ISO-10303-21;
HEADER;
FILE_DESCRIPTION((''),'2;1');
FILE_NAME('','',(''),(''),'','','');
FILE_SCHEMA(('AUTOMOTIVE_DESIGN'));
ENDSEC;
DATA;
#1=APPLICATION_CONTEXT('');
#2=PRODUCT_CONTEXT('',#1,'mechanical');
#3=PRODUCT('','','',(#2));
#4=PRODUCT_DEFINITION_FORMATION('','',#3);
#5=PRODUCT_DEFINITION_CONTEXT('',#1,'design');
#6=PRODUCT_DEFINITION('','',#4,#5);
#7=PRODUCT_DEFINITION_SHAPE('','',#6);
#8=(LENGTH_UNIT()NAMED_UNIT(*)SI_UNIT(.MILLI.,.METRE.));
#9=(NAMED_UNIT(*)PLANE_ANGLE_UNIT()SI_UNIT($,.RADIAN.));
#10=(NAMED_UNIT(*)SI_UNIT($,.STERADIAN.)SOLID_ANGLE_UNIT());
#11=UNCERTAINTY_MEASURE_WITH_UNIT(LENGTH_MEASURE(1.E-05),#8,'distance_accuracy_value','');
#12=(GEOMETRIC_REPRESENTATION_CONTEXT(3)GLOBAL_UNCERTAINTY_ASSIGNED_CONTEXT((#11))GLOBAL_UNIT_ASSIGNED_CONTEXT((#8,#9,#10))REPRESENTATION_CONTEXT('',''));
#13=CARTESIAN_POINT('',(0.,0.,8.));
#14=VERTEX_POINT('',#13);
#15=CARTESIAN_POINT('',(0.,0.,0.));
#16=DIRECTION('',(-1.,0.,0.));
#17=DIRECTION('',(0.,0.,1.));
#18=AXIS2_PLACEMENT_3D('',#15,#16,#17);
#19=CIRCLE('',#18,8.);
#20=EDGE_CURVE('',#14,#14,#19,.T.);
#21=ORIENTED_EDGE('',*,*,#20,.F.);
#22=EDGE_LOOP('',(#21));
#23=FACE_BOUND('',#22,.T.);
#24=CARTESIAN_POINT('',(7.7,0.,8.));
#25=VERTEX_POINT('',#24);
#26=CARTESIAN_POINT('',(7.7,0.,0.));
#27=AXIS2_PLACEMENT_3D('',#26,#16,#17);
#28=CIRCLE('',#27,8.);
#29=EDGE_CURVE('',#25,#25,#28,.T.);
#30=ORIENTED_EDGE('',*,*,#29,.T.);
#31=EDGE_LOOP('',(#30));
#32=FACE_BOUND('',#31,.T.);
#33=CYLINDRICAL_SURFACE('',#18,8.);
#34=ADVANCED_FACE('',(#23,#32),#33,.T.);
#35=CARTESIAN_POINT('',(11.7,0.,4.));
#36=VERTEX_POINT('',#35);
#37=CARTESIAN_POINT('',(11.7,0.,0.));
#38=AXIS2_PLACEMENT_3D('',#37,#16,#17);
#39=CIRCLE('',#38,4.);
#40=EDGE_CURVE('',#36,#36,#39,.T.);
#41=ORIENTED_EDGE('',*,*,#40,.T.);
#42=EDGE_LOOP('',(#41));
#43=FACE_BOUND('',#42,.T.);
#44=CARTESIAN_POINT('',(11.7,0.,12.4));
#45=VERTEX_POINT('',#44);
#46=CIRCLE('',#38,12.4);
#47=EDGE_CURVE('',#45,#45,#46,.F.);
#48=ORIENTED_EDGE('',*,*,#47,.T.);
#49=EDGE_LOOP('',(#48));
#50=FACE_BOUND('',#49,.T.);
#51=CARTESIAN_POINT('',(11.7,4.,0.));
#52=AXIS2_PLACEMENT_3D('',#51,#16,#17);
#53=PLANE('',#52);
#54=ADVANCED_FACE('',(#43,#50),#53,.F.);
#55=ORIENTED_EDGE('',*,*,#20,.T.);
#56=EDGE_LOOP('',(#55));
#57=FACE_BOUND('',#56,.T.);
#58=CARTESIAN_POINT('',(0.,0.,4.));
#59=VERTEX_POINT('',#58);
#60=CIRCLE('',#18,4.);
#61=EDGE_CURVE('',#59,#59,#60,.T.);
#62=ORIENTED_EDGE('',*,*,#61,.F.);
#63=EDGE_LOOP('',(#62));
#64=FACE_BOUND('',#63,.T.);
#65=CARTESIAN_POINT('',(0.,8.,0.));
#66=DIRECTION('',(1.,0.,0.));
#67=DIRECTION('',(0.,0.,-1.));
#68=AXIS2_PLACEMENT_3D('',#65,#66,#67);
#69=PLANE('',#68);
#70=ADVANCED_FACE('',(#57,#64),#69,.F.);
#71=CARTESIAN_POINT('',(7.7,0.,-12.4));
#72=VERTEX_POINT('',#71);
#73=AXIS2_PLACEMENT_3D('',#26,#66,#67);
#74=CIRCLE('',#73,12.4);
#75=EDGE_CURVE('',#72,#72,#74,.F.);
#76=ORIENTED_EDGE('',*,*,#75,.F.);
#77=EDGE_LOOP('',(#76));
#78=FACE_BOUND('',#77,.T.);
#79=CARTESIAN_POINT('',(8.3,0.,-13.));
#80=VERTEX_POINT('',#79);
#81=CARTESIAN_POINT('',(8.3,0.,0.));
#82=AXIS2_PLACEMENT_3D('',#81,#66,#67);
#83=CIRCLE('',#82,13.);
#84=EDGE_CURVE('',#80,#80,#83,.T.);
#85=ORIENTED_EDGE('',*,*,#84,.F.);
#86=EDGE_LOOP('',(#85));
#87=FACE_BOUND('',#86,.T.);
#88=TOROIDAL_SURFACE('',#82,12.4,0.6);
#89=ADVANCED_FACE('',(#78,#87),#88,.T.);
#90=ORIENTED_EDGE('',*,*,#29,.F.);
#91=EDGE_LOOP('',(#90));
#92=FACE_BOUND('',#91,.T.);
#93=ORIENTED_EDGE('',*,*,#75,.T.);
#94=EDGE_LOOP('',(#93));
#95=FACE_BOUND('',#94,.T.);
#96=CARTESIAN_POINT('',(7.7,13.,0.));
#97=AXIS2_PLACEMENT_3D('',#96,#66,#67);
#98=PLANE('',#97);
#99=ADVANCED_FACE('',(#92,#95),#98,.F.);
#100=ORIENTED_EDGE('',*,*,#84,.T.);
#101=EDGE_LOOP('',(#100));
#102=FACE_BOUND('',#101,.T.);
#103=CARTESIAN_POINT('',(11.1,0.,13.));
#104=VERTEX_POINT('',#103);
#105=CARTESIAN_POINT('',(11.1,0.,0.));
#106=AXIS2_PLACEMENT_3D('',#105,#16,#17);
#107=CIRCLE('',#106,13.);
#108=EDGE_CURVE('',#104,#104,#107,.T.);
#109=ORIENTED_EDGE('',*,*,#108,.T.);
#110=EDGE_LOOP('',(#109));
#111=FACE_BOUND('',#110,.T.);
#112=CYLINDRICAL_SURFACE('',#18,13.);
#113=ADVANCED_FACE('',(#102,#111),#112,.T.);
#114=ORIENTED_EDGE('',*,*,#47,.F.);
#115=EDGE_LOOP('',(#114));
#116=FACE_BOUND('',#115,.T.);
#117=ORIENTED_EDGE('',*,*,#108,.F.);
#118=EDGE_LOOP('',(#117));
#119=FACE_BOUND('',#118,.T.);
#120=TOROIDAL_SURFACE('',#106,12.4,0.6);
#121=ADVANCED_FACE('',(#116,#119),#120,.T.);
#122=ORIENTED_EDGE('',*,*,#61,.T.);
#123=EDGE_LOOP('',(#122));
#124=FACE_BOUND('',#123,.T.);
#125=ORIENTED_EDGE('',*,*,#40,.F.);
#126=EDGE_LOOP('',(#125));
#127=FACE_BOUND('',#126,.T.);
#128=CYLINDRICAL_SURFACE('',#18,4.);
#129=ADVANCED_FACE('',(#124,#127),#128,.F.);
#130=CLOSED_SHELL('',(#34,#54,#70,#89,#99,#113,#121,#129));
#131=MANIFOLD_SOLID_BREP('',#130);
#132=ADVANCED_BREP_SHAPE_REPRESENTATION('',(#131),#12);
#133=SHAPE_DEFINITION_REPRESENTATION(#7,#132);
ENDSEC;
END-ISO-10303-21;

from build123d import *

# Parameters (mm, degrees)
CONG_1_R = 0.6


with BuildPart() as part:
    # Esquisse1 → Révolution1 (revolve)
    with BuildSketch(Plane.XY, mode=Mode.PRIVATE) as r_volution1_sk:
        Polygon((0, 4), (11.7, 4), (11.7, 13), (7.7, 13), (7.7, 8), (0, 8), align=None)
    revolve(r_volution1_sk.sketch.rotate(Axis((0, 0, 0), (1, 0, 0)), 90), axis=Axis((0, 0, 0), (1, 0, 0)))

    # Congé1
    cong_1_edges = [part.edges().sort_by_distance(p)[0] for p in [
        (7.7, 0, -13),
        (11.7, 0, -13),
    ]]
    fillet(cong_1_edges, radius=CONG_1_R)


solid = part.part
